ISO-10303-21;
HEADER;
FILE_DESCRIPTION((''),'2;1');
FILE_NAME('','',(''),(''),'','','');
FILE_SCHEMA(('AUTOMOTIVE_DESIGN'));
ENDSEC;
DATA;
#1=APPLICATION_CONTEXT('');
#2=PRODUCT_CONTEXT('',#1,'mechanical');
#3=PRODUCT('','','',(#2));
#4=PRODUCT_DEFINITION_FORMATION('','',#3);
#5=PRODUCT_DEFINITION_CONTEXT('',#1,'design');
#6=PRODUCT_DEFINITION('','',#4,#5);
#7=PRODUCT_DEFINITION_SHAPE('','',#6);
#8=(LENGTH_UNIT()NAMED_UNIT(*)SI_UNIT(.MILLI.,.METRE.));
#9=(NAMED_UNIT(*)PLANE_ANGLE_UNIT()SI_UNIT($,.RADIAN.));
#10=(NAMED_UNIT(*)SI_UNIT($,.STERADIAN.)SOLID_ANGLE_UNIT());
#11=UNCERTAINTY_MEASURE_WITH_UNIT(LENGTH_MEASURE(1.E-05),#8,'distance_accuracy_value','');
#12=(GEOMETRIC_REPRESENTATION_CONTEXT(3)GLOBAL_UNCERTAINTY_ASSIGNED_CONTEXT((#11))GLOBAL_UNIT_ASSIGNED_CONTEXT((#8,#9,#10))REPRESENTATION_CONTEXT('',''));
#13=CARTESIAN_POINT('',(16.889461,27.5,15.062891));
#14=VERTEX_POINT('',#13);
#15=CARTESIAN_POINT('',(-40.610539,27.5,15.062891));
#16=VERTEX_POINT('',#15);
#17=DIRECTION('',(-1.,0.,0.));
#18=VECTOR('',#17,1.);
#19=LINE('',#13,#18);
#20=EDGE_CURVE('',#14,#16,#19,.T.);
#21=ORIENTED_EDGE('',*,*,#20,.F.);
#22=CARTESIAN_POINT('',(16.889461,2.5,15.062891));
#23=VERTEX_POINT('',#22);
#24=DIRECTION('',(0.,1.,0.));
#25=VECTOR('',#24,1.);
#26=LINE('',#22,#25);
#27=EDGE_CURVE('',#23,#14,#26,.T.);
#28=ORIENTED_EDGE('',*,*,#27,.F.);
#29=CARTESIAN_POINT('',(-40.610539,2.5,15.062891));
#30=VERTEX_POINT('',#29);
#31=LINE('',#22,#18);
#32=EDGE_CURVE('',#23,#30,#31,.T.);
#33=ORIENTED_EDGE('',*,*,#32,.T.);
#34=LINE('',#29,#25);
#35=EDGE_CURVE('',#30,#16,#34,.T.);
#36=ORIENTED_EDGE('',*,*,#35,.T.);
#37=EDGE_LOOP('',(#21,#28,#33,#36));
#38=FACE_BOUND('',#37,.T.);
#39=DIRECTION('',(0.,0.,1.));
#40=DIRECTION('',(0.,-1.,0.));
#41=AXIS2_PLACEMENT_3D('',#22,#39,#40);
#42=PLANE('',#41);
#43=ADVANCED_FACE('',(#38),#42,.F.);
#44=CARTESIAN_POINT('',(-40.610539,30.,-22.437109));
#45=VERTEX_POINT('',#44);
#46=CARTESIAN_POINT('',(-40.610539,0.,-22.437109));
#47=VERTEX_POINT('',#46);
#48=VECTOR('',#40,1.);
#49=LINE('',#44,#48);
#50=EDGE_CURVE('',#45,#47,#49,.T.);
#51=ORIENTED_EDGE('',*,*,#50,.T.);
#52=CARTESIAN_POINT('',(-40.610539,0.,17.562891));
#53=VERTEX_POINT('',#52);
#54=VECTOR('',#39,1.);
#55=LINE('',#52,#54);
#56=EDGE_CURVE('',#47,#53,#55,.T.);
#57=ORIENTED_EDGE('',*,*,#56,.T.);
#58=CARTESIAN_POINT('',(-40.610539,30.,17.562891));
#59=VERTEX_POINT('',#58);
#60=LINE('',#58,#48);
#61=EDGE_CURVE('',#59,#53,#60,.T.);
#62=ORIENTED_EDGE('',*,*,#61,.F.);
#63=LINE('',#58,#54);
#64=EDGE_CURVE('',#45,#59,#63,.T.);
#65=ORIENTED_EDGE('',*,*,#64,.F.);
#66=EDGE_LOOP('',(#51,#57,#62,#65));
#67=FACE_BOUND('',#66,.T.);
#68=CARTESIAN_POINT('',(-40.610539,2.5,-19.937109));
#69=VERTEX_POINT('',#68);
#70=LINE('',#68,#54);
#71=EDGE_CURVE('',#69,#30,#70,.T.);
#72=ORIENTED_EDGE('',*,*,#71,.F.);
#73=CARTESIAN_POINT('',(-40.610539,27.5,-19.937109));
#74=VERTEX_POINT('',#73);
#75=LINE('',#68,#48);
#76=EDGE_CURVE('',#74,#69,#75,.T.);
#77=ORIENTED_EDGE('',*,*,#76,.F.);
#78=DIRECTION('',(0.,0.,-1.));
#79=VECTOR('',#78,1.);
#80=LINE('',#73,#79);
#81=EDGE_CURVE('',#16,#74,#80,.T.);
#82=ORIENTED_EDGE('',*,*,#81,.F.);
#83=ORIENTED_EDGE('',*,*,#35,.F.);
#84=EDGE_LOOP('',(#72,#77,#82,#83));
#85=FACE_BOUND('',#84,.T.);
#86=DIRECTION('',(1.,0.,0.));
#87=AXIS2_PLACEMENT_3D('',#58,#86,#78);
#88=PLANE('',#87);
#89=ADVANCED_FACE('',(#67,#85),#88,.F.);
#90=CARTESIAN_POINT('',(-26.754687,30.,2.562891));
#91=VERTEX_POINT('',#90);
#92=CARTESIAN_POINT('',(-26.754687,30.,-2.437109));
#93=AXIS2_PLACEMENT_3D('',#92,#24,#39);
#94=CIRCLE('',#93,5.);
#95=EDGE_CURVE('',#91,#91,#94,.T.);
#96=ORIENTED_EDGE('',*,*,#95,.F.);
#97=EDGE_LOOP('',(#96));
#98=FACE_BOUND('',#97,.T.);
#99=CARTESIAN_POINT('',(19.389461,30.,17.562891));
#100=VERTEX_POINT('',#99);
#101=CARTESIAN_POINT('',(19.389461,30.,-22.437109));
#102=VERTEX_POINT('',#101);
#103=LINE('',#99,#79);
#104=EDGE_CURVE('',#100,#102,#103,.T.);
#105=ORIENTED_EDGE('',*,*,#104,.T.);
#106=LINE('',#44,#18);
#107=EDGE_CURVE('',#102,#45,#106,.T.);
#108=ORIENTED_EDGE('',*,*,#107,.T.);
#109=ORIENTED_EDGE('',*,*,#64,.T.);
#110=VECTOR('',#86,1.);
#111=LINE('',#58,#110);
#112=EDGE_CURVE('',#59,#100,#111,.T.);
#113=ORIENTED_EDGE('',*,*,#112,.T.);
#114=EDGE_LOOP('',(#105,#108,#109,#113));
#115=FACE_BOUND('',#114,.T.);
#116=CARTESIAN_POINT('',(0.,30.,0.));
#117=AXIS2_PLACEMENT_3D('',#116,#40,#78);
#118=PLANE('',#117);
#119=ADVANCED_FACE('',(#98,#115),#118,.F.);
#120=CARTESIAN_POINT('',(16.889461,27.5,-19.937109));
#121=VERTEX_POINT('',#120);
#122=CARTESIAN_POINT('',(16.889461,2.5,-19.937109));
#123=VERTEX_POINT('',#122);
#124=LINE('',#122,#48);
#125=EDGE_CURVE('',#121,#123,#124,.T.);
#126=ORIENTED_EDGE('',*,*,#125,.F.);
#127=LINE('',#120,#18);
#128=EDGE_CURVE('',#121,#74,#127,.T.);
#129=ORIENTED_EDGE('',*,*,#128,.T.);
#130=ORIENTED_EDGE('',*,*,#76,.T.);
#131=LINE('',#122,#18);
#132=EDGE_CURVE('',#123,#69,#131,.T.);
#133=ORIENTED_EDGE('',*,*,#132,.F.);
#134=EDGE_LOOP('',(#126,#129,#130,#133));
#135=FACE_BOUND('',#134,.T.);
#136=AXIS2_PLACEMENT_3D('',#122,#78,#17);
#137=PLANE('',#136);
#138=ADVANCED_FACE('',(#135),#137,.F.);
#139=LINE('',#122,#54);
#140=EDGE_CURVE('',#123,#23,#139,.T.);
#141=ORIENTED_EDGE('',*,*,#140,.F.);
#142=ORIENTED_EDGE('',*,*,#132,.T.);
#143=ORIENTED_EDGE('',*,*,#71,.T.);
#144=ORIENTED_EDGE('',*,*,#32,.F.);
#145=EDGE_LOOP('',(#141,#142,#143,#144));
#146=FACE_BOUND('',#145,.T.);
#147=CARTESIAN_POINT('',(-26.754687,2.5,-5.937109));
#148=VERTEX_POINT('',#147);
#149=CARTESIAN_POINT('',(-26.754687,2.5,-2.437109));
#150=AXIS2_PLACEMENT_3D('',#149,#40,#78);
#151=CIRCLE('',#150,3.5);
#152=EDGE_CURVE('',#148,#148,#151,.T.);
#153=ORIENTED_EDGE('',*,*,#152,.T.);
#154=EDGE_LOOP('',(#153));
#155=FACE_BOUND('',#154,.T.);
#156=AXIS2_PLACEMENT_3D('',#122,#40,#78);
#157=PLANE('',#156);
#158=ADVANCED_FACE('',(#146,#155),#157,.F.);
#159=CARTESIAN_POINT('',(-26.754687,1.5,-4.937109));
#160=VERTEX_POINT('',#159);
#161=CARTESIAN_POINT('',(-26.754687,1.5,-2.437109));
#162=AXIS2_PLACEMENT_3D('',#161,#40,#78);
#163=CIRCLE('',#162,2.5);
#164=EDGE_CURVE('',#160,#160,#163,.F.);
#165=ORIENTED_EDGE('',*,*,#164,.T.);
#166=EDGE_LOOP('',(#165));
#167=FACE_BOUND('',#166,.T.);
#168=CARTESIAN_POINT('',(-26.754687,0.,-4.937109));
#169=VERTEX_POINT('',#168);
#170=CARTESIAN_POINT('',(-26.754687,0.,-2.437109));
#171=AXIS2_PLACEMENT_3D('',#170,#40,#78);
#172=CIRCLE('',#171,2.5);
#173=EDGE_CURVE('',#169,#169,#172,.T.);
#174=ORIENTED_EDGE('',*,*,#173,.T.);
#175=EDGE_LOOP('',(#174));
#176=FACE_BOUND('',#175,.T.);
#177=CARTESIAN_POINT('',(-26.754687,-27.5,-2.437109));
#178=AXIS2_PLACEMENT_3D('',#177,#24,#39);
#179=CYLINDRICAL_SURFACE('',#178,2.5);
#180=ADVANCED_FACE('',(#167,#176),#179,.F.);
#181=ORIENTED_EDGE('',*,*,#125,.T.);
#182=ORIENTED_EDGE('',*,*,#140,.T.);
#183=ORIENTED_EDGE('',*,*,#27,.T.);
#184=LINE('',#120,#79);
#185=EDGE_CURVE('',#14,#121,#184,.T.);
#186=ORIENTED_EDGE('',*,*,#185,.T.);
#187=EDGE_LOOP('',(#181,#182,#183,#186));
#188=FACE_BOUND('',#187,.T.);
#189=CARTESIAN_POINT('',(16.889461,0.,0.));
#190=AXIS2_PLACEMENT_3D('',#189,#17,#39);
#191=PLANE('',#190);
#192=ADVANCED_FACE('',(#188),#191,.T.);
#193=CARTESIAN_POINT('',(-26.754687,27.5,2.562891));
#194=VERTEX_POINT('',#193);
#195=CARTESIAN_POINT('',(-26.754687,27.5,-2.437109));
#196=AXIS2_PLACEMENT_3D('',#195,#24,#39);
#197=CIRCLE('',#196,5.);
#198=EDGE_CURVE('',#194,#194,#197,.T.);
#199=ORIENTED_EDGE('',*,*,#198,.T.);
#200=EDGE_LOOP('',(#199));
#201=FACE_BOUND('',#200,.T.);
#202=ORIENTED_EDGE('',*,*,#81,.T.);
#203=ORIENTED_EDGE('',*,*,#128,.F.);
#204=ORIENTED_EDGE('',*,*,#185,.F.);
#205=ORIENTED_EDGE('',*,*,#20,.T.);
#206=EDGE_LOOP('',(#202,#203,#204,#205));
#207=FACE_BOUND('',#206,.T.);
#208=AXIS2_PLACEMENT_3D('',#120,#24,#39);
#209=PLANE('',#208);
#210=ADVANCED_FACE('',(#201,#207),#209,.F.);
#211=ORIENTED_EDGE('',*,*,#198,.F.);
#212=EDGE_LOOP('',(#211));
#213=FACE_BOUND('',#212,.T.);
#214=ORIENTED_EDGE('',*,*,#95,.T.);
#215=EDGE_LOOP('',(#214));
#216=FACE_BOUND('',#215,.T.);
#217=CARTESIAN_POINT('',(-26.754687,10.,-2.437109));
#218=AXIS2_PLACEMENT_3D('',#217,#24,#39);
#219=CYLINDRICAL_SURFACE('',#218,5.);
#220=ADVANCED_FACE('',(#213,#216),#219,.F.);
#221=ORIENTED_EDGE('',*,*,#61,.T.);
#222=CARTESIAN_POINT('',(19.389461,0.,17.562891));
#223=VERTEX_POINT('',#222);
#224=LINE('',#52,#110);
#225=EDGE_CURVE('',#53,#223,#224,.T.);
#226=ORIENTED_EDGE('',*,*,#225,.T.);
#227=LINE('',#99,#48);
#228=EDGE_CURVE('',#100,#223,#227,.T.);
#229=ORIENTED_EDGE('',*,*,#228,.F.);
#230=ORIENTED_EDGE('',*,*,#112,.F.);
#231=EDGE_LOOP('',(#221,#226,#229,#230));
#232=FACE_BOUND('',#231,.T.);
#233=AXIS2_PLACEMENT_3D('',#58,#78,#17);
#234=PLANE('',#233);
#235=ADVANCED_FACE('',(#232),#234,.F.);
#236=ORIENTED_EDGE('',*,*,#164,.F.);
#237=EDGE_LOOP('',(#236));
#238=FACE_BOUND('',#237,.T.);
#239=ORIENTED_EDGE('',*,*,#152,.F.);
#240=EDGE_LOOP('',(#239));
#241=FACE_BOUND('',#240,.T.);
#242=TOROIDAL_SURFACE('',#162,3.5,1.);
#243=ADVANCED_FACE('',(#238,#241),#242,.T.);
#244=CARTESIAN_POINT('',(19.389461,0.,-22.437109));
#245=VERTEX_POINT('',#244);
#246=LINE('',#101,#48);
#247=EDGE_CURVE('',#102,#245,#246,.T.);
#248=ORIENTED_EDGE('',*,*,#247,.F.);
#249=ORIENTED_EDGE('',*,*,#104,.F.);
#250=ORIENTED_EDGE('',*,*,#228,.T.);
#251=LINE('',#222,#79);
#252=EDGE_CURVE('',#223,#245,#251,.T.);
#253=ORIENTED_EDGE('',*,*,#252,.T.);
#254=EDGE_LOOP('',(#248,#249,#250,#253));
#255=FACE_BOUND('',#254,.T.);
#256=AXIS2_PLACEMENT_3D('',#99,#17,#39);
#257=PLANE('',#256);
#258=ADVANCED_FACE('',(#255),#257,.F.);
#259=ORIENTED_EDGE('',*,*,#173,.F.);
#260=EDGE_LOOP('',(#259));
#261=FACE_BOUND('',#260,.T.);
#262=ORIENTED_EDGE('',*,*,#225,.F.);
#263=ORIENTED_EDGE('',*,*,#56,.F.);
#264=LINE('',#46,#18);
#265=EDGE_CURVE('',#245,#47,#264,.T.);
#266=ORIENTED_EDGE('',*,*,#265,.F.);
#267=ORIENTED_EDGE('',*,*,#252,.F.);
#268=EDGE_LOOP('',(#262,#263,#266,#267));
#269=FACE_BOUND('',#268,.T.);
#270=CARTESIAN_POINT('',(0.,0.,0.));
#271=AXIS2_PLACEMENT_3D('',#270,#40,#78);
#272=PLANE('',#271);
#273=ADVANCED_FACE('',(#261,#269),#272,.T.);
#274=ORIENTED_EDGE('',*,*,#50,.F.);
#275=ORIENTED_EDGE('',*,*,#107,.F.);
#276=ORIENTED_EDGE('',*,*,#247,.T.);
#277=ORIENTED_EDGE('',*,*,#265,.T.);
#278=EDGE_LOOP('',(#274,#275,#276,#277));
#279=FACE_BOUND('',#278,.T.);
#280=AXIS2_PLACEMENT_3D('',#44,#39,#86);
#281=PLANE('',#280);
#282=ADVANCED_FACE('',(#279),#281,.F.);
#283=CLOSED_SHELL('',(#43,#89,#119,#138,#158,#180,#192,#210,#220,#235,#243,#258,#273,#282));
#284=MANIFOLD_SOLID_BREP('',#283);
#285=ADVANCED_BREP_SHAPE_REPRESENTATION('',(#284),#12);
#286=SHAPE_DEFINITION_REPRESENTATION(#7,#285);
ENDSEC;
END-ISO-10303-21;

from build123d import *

# Parameters (mm, degrees)
SKETCH1_W           = 60
SKETCH1_H           = 40
BOSS_EXTRUDE1_DEPTH = 30
SKETCH2_OUTSIDE_W   = 57.62
SKETCH2_OUTSIDE_H   = 47.62
SKETCH2_OUTSIDE_W_2 = 40
SKETCH2_OUTSIDE_H_2 = 30
SKETCH2_OUTSIDE_W_3 = 35
SKETCH2_OUTSIDE_H_3 = 25
CUT_EXTRUDE1_DEPTH  = 57.5
SKETCH3_R           = 2.5
CUT_EXTRUDE2_DEPTH  = 57.5
FILLET1_R           = 1
SKETCH4_R           = 5
CUT_EXTRUDE3_DEPTH  = 20


with BuildPart() as part:
    # Sketch1 → Boss-Extrude1 (new body)
    with BuildSketch(Plane(origin=(0, 0, 0), x_dir=(1, 0, 0), z_dir=(0, 1, 0))):
        with Locations((-10.610539169, 2.437108943)):
            Rectangle(SKETCH1_W, SKETCH1_H)
    extrude(amount=BOSS_EXTRUDE1_DEPTH)

    # Sketch2 outside → Cut-Extrude1 (cut)
    # profile 1 of 2: a face of its own
    with BuildSketch(Plane.ZY.offset(40.610539169)):
        with Locations((-2.437, 15)):
            Rectangle(SKETCH2_OUTSIDE_W, SKETCH2_OUTSIDE_H)
        with Locations((-2.437108943, 15)):
            Rectangle(SKETCH2_OUTSIDE_W_2, SKETCH2_OUTSIDE_H_2, mode=Mode.SUBTRACT)
    # profile 2 of 2: a face of its own
    with BuildSketch(Plane.ZY.offset(40.610539169)):
        with Locations((-2.437108943, 15)):
            Rectangle(SKETCH2_OUTSIDE_W_3, SKETCH2_OUTSIDE_H_3)
    extrude(amount=-CUT_EXTRUDE1_DEPTH, mode=Mode.SUBTRACT)

    # Sketch3 → Cut-Extrude2 (cut)
    with BuildSketch(Plane(origin=(0, 30, 0), x_dir=(1, 0, 0), z_dir=(0, 1, 0))):
        with Locations(Location((-26.75468652, 2.437108943, 0), (0, 0, 270))):
            Circle(SKETCH3_R)
    extrude(amount=-CUT_EXTRUDE2_DEPTH, mode=Mode.SUBTRACT)

    # Fillet1
    fillet1_edges = [part.edges().sort_by_distance(p)[0] for p in [
        (-26.75468652, 2.5, -4.937108943),
    ]]
    fillet(fillet1_edges, radius=FILLET1_R)

    # Sketch4 → Cut-Extrude3 (cut)
    with BuildSketch(Plane(origin=(0, 30, 0), x_dir=(1, 0, 0), z_dir=(0, 1, 0))):
        with Locations(Location((-26.75468652, 2.437108943, 0), (0, 0, 270))):
            Circle(SKETCH4_R)
    extrude(amount=-CUT_EXTRUDE3_DEPTH, mode=Mode.SUBTRACT)


solid = part.part
